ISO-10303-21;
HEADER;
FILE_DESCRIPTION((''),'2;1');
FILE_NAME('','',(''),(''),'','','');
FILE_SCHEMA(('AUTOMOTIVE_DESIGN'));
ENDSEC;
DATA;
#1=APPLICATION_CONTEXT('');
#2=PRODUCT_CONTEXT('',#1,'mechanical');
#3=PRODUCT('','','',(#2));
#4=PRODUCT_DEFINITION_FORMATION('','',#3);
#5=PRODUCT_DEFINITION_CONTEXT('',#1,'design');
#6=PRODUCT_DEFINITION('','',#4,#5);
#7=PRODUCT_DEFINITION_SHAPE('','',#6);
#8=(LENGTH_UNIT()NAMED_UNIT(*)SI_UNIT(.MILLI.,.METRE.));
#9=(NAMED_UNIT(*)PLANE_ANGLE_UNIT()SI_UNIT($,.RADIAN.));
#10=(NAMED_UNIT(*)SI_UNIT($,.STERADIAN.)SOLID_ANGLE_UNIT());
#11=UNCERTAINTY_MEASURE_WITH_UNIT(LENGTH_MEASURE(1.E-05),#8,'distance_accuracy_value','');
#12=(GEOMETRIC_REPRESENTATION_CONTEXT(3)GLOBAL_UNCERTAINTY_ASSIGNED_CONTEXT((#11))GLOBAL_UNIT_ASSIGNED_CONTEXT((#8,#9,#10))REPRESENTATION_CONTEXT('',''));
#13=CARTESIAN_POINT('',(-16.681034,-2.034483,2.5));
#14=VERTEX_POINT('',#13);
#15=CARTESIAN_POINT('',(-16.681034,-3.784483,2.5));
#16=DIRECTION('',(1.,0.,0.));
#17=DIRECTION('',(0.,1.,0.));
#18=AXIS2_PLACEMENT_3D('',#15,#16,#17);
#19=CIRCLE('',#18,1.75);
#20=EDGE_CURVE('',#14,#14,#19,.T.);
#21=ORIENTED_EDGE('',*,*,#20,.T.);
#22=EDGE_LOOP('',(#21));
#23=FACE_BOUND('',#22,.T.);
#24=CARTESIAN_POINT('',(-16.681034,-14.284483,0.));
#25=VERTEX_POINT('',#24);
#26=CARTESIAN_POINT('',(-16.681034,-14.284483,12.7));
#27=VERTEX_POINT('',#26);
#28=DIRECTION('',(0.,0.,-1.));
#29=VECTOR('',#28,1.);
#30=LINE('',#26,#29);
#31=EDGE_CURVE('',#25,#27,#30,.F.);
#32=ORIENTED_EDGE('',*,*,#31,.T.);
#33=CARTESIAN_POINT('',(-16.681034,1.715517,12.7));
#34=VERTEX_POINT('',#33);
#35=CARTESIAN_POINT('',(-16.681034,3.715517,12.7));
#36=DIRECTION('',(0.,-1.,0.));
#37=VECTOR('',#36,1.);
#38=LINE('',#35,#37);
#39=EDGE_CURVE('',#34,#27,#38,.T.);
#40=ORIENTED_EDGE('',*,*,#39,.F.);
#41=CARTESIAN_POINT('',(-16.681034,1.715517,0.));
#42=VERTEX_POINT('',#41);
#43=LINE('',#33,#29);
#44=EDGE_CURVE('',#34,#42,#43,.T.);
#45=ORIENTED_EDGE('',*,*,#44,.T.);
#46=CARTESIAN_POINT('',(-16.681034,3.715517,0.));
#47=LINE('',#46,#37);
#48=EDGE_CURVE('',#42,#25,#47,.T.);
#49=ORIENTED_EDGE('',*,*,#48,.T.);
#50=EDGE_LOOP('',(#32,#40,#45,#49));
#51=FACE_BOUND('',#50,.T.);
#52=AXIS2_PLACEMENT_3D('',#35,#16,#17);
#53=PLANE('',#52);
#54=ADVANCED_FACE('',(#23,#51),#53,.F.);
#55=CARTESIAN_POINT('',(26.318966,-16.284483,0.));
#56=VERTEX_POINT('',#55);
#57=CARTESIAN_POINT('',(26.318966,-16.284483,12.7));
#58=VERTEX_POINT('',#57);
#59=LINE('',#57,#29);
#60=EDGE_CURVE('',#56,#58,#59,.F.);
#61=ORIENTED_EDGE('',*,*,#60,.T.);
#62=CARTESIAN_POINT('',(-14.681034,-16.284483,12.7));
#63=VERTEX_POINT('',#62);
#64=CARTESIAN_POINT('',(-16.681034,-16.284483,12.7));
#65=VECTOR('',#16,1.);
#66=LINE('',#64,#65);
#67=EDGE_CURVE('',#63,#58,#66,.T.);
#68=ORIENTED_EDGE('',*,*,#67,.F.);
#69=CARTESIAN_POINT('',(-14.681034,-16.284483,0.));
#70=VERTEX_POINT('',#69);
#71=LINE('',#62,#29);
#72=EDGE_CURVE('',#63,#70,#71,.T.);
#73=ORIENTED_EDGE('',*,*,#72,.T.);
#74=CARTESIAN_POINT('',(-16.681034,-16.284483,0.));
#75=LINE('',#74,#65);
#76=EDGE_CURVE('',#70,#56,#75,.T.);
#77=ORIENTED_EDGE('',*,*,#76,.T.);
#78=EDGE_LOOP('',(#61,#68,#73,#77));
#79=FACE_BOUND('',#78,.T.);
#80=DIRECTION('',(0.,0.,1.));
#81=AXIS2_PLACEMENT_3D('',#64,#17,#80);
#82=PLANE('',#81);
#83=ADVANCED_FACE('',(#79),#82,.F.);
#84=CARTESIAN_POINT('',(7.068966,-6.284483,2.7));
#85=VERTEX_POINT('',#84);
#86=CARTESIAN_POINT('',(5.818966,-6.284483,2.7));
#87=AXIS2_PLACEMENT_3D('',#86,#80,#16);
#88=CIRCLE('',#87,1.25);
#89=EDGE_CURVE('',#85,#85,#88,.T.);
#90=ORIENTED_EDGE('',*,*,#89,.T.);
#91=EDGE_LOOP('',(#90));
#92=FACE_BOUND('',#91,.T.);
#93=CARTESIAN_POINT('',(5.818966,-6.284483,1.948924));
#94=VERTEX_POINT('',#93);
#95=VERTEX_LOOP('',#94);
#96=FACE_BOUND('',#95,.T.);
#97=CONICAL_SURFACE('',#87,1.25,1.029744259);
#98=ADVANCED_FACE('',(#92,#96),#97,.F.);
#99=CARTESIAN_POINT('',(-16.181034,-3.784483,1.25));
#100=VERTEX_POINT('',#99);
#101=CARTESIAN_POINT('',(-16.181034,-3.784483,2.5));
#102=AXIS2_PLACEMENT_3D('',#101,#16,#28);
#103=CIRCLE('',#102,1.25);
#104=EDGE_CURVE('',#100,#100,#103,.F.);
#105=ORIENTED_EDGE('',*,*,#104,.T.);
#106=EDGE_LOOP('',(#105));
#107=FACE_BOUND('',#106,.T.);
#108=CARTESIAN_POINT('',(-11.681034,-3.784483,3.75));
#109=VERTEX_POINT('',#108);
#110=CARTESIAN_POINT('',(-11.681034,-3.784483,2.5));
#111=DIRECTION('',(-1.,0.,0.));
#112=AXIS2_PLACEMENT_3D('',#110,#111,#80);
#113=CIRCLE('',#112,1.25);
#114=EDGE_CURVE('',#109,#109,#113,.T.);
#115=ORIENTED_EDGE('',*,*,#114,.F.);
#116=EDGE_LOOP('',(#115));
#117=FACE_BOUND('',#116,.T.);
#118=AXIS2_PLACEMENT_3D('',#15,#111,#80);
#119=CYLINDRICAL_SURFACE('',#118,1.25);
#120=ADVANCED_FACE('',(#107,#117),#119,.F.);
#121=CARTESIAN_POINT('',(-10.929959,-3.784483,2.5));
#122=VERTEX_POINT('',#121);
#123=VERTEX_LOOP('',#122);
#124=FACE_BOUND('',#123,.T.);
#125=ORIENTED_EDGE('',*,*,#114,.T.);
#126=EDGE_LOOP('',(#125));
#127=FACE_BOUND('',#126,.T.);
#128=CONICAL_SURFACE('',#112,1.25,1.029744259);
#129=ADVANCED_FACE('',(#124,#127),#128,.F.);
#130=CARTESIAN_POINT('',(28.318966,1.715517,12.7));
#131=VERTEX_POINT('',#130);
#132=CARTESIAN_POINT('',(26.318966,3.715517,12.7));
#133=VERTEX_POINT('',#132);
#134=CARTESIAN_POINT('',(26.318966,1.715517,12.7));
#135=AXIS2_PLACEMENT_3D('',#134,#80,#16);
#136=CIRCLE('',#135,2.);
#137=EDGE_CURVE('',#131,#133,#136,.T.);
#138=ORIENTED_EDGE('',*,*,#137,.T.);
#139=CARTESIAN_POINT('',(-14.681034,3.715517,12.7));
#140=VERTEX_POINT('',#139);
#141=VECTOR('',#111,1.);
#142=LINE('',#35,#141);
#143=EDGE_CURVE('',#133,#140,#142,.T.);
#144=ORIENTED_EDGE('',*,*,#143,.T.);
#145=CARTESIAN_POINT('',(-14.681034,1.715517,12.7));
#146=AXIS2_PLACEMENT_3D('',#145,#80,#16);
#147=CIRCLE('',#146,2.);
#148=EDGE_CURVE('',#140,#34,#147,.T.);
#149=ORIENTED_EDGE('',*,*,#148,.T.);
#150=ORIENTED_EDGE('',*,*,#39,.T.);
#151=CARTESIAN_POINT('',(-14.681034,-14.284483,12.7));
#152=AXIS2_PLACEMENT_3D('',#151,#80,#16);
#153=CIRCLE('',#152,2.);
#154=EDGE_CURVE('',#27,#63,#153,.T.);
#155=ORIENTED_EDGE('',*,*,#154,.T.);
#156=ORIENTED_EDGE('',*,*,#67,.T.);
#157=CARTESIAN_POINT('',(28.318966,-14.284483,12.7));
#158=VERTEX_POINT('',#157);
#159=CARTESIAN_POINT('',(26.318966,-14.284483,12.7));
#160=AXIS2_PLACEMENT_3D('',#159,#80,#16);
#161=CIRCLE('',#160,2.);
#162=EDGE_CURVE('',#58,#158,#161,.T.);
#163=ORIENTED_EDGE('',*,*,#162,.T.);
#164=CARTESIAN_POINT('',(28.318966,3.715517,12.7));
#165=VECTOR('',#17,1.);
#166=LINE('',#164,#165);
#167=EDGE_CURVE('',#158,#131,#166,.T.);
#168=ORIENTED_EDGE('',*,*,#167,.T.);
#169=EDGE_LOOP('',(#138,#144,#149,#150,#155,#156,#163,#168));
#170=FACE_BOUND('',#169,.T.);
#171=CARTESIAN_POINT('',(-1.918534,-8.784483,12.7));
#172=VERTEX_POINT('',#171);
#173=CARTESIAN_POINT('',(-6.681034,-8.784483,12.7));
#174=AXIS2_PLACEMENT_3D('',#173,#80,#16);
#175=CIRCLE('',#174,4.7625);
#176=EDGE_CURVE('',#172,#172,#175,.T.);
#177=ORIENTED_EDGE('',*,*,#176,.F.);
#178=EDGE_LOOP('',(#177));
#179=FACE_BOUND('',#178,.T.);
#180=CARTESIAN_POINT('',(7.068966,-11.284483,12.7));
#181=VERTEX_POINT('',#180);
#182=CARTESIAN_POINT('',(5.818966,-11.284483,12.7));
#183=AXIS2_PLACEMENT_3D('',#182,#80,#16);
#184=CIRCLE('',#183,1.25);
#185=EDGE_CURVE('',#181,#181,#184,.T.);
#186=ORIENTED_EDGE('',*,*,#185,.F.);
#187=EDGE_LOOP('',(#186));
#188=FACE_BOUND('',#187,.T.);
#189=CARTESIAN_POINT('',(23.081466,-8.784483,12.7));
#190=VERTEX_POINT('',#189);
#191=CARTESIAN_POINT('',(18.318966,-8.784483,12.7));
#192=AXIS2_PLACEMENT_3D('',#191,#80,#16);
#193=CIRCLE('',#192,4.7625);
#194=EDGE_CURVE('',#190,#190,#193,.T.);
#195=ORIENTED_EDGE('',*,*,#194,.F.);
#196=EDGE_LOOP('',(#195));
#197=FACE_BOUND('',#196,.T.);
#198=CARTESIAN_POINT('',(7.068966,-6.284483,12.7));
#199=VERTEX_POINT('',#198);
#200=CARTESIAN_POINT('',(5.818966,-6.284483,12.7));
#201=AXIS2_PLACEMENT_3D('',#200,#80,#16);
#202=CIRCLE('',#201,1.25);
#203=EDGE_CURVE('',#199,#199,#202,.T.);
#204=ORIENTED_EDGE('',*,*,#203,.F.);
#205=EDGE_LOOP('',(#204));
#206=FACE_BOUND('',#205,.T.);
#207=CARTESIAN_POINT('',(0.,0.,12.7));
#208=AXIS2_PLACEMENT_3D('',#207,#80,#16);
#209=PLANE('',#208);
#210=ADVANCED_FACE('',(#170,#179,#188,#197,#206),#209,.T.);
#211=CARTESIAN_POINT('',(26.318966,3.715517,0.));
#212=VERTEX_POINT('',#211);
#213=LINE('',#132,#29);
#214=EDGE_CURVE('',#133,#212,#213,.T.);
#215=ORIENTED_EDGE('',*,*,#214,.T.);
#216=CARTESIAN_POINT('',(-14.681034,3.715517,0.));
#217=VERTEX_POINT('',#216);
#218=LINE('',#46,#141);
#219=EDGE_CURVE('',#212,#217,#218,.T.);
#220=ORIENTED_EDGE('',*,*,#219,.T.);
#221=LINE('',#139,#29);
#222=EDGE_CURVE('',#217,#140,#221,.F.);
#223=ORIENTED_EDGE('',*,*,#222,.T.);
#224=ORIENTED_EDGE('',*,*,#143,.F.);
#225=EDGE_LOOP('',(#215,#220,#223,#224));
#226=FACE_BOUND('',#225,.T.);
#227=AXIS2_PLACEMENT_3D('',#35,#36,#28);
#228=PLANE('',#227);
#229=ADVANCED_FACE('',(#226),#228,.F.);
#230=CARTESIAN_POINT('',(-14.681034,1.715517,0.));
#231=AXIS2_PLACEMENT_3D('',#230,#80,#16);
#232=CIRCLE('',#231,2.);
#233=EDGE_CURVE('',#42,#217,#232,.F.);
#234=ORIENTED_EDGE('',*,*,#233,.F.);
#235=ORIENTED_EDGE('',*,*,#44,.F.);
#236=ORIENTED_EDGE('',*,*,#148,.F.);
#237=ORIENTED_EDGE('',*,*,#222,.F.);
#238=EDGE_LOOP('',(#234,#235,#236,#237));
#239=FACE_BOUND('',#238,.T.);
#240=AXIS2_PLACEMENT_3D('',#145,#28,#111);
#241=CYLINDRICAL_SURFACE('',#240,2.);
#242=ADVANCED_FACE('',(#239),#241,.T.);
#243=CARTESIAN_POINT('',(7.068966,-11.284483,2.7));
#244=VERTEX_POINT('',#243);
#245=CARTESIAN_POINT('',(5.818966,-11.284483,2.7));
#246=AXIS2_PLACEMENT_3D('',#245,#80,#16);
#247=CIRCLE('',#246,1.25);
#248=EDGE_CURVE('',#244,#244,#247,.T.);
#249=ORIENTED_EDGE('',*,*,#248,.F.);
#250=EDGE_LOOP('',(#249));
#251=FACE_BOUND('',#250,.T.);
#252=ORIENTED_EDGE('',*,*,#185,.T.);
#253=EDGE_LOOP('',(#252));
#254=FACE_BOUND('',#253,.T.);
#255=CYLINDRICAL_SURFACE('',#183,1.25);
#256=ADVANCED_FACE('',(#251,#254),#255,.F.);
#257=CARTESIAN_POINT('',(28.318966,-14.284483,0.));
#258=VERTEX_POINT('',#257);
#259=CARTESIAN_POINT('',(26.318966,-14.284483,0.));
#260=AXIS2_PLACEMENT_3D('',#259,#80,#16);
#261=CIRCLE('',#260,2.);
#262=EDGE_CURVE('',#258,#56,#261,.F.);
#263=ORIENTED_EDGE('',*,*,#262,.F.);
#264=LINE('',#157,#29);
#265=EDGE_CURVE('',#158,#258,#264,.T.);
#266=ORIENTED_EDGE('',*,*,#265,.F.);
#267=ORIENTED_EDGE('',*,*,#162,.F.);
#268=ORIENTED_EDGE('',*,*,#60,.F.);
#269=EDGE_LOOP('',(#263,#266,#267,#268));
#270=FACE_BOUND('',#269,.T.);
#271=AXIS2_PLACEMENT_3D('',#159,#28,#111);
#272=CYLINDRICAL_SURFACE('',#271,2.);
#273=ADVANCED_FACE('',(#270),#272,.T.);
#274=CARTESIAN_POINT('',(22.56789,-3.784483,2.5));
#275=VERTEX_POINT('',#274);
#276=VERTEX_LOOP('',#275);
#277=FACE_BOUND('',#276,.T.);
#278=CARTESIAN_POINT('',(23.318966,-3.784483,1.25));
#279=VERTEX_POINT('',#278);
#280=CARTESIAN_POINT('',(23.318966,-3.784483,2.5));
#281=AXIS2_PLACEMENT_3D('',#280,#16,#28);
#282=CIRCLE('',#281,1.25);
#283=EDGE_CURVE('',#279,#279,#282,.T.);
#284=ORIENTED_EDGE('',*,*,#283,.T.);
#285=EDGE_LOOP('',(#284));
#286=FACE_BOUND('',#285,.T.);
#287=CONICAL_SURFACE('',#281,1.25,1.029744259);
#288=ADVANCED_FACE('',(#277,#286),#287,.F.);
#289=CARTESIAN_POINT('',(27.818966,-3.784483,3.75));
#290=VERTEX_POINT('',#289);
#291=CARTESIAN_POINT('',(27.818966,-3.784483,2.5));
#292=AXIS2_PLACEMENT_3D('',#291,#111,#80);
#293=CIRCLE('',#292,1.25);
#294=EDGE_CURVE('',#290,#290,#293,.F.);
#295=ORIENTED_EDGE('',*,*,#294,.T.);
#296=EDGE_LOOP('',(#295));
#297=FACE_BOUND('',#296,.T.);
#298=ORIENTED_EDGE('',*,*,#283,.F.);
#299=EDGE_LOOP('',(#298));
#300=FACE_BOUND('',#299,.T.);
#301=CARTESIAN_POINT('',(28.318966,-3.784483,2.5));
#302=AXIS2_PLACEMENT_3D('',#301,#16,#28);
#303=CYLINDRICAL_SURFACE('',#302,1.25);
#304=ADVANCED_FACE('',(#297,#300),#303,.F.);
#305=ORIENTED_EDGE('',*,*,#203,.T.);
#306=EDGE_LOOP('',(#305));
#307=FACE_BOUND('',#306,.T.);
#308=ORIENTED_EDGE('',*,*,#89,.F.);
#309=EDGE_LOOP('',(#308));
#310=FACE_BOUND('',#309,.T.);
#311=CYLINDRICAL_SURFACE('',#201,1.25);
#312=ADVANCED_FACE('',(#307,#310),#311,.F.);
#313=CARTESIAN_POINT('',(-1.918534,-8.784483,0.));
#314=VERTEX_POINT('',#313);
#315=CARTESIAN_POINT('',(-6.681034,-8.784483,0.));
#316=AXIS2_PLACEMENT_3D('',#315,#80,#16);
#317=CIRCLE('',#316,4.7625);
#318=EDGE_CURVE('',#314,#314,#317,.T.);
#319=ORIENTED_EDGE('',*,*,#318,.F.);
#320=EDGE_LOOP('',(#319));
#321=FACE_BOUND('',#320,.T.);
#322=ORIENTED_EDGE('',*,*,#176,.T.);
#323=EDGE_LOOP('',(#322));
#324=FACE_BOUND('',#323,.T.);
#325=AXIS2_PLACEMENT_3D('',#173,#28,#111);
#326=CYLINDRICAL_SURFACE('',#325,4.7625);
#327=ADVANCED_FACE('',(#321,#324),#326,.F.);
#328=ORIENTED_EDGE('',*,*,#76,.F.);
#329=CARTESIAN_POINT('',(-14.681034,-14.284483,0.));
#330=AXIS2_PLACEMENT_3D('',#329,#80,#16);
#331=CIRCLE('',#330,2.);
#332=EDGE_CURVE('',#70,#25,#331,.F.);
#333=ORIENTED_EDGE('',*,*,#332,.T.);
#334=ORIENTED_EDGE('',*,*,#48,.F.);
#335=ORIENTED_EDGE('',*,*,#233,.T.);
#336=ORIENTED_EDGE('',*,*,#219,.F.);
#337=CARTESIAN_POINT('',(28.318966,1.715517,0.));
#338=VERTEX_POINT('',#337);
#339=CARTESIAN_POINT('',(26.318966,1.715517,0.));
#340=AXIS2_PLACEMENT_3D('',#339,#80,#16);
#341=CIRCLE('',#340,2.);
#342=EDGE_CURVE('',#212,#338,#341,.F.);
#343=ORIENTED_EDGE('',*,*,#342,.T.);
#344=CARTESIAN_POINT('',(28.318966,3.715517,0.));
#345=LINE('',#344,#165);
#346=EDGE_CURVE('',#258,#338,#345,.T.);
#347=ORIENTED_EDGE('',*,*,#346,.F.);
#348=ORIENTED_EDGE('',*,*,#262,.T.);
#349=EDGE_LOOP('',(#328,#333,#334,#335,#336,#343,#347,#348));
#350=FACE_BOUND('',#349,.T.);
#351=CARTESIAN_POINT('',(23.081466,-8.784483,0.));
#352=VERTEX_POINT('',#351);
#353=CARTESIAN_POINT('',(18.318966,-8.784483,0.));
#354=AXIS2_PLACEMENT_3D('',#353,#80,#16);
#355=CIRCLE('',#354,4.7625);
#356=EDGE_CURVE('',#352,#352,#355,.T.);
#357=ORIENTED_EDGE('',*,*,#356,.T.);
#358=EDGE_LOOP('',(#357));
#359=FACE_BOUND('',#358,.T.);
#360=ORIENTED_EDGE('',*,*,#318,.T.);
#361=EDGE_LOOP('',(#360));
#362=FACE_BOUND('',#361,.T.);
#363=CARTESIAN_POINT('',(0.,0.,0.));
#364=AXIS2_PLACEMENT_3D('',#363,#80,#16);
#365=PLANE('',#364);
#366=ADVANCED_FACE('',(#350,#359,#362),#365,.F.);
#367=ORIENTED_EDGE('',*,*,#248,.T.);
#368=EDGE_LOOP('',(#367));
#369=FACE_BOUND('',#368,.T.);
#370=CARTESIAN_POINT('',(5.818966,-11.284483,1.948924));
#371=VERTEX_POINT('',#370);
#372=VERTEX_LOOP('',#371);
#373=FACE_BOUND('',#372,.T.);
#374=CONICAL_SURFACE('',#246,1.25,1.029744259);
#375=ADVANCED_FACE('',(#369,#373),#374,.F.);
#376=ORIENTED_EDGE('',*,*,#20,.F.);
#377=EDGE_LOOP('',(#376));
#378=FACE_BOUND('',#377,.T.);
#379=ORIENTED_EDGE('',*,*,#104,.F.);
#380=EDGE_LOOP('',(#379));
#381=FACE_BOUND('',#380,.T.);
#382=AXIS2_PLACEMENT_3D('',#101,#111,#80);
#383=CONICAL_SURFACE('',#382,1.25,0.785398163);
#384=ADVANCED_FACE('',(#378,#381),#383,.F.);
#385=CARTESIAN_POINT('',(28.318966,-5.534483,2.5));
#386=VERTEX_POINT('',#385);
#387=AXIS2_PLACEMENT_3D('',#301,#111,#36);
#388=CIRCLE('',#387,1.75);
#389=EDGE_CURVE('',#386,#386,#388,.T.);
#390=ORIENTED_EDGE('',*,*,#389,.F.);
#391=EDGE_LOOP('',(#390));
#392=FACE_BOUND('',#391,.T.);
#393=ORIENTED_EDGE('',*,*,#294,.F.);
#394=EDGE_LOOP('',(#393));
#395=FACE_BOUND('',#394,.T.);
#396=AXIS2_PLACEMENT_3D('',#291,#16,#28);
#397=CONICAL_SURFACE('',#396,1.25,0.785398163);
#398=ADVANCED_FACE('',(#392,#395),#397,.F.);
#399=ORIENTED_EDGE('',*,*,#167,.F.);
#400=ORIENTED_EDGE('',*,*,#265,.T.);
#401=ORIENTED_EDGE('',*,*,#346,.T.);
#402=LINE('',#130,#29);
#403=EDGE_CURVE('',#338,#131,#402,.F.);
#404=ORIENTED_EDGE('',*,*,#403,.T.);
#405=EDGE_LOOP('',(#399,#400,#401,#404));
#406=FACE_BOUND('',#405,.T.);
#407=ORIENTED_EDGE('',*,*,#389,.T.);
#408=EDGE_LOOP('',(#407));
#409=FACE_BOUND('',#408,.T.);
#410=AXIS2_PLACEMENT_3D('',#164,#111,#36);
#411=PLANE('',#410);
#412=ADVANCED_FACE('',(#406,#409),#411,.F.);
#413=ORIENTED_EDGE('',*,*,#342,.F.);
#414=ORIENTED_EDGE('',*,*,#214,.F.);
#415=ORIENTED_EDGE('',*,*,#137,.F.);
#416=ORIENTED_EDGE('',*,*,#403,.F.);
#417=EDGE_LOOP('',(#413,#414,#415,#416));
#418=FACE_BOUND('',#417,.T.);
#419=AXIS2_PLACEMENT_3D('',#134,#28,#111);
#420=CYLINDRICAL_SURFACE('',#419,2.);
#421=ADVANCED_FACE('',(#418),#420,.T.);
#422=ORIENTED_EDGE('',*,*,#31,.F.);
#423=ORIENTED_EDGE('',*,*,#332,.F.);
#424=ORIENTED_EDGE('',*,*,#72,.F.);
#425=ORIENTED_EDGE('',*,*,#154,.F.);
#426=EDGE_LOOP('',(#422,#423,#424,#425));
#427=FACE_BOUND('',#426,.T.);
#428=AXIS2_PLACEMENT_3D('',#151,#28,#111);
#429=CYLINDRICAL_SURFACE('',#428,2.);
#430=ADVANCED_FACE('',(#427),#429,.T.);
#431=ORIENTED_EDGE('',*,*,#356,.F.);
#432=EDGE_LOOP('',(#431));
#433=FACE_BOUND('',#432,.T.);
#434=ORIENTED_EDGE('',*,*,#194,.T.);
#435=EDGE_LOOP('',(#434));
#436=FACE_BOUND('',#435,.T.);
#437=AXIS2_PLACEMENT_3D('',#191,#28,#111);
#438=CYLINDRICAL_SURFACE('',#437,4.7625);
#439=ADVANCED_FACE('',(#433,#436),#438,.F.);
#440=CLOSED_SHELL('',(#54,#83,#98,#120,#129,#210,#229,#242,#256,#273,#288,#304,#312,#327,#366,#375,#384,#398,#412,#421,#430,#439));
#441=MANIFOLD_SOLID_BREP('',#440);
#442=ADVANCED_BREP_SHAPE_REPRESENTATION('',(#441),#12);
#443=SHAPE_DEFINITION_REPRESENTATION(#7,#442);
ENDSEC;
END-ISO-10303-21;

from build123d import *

# Parameters (mm, degrees)
SKETCH1_W                       = 45
SKETCH1_H                       = 20
SKETCH1_R                       = 4.7625
BOSS_EXTRUDE1_DEPTH             = 12.7
TAP_DRILL_FOR_M3X0_5_TAP1_D     = 2.5
TAP_DRILL_FOR_M3X0_5_TAP1_DEPTH = 10
TAP_DRILL_FOR_M3X0_5_TAP1_TIP   = 0.751075774
FILLET1_R                       = 2
CHAMFER1_SIZE                   = 0.5


with BuildPart() as part:
    # Sketch1 → Boss-Extrude1 (new body)
    with BuildSketch(Plane.XY):
        with Locations((5.818965517, -6.284482759)):
            Rectangle(SKETCH1_W, SKETCH1_H)
        with Locations((-6.681034483, -8.784482759)):
            Circle(SKETCH1_R, mode=Mode.SUBTRACT)
        with Locations((18.318965517, -8.784482759)):
            Circle(SKETCH1_R, mode=Mode.SUBTRACT)
    extrude(amount=BOSS_EXTRUDE1_DEPTH)

    # Tap Drill for M3x0.5 Tap1
    with Locations(Plane.XY.offset(12.7)):
        with Locations((5.818965517, -6.284482759), (5.818965517, -11.284482759)):
            Hole(TAP_DRILL_FOR_M3X0_5_TAP1_D / 2, depth=TAP_DRILL_FOR_M3X0_5_TAP1_DEPTH)
            with Locations((0, 0, -(TAP_DRILL_FOR_M3X0_5_TAP1_DEPTH + TAP_DRILL_FOR_M3X0_5_TAP1_TIP / 2))):  # 118° drill point
                Cone(0, TAP_DRILL_FOR_M3X0_5_TAP1_D / 2, TAP_DRILL_FOR_M3X0_5_TAP1_TIP, mode=Mode.SUBTRACT)

    # Fillet1
    fillet1_edges = [part.edges().sort_by_distance(p)[0] for p in [
        (-16.681034483, 3.715517241, 6.35),
        (28.318965517, 3.715517241, 6.35),
        (28.318965517, -16.284482759, 6.35),
        (-16.681034483, -16.284482759, 6.35),
    ]]
    fillet(fillet1_edges, radius=FILLET1_R)

    # Sketch8 → Tap Drill for M3x0.5 Tap2 (revolve, cut)
    with BuildSketch(Plane(origin=(-16.681034483, -3.784482759, 2.5), x_dir=(0, 0, 1), z_dir=(0, 1, 0))):
        Polygon((0, 0), (0, 5.751075774), (1.25, 5), (1.25, 0), align=None)
    tap_drill_for_m3x0_5_tap2 = revolve(axis=Axis((-23.031034483, -3.784482759, 2.5), (1, 0, 0)), mode=Mode.SUBTRACT)

    # Mirror3: Tap Drill for M3x0.5 Tap2 across plane
    add(tap_drill_for_m3x0_5_tap2.mirror(Plane(origin=(5.818965517, 0, 0), x_dir=(0, 0, 1), z_dir=(1, 0, 0))), mode=Mode.SUBTRACT)

    # Chamfer1
    chamfer1_edges = [part.edges().sort_by_distance(p)[0] for p in [
        (-16.681034483, -3.784482759, 1.25),
        (28.318965517, -3.784482759, 1.25),
    ]]
    chamfer(chamfer1_edges, length=CHAMFER1_SIZE)


solid = part.part
